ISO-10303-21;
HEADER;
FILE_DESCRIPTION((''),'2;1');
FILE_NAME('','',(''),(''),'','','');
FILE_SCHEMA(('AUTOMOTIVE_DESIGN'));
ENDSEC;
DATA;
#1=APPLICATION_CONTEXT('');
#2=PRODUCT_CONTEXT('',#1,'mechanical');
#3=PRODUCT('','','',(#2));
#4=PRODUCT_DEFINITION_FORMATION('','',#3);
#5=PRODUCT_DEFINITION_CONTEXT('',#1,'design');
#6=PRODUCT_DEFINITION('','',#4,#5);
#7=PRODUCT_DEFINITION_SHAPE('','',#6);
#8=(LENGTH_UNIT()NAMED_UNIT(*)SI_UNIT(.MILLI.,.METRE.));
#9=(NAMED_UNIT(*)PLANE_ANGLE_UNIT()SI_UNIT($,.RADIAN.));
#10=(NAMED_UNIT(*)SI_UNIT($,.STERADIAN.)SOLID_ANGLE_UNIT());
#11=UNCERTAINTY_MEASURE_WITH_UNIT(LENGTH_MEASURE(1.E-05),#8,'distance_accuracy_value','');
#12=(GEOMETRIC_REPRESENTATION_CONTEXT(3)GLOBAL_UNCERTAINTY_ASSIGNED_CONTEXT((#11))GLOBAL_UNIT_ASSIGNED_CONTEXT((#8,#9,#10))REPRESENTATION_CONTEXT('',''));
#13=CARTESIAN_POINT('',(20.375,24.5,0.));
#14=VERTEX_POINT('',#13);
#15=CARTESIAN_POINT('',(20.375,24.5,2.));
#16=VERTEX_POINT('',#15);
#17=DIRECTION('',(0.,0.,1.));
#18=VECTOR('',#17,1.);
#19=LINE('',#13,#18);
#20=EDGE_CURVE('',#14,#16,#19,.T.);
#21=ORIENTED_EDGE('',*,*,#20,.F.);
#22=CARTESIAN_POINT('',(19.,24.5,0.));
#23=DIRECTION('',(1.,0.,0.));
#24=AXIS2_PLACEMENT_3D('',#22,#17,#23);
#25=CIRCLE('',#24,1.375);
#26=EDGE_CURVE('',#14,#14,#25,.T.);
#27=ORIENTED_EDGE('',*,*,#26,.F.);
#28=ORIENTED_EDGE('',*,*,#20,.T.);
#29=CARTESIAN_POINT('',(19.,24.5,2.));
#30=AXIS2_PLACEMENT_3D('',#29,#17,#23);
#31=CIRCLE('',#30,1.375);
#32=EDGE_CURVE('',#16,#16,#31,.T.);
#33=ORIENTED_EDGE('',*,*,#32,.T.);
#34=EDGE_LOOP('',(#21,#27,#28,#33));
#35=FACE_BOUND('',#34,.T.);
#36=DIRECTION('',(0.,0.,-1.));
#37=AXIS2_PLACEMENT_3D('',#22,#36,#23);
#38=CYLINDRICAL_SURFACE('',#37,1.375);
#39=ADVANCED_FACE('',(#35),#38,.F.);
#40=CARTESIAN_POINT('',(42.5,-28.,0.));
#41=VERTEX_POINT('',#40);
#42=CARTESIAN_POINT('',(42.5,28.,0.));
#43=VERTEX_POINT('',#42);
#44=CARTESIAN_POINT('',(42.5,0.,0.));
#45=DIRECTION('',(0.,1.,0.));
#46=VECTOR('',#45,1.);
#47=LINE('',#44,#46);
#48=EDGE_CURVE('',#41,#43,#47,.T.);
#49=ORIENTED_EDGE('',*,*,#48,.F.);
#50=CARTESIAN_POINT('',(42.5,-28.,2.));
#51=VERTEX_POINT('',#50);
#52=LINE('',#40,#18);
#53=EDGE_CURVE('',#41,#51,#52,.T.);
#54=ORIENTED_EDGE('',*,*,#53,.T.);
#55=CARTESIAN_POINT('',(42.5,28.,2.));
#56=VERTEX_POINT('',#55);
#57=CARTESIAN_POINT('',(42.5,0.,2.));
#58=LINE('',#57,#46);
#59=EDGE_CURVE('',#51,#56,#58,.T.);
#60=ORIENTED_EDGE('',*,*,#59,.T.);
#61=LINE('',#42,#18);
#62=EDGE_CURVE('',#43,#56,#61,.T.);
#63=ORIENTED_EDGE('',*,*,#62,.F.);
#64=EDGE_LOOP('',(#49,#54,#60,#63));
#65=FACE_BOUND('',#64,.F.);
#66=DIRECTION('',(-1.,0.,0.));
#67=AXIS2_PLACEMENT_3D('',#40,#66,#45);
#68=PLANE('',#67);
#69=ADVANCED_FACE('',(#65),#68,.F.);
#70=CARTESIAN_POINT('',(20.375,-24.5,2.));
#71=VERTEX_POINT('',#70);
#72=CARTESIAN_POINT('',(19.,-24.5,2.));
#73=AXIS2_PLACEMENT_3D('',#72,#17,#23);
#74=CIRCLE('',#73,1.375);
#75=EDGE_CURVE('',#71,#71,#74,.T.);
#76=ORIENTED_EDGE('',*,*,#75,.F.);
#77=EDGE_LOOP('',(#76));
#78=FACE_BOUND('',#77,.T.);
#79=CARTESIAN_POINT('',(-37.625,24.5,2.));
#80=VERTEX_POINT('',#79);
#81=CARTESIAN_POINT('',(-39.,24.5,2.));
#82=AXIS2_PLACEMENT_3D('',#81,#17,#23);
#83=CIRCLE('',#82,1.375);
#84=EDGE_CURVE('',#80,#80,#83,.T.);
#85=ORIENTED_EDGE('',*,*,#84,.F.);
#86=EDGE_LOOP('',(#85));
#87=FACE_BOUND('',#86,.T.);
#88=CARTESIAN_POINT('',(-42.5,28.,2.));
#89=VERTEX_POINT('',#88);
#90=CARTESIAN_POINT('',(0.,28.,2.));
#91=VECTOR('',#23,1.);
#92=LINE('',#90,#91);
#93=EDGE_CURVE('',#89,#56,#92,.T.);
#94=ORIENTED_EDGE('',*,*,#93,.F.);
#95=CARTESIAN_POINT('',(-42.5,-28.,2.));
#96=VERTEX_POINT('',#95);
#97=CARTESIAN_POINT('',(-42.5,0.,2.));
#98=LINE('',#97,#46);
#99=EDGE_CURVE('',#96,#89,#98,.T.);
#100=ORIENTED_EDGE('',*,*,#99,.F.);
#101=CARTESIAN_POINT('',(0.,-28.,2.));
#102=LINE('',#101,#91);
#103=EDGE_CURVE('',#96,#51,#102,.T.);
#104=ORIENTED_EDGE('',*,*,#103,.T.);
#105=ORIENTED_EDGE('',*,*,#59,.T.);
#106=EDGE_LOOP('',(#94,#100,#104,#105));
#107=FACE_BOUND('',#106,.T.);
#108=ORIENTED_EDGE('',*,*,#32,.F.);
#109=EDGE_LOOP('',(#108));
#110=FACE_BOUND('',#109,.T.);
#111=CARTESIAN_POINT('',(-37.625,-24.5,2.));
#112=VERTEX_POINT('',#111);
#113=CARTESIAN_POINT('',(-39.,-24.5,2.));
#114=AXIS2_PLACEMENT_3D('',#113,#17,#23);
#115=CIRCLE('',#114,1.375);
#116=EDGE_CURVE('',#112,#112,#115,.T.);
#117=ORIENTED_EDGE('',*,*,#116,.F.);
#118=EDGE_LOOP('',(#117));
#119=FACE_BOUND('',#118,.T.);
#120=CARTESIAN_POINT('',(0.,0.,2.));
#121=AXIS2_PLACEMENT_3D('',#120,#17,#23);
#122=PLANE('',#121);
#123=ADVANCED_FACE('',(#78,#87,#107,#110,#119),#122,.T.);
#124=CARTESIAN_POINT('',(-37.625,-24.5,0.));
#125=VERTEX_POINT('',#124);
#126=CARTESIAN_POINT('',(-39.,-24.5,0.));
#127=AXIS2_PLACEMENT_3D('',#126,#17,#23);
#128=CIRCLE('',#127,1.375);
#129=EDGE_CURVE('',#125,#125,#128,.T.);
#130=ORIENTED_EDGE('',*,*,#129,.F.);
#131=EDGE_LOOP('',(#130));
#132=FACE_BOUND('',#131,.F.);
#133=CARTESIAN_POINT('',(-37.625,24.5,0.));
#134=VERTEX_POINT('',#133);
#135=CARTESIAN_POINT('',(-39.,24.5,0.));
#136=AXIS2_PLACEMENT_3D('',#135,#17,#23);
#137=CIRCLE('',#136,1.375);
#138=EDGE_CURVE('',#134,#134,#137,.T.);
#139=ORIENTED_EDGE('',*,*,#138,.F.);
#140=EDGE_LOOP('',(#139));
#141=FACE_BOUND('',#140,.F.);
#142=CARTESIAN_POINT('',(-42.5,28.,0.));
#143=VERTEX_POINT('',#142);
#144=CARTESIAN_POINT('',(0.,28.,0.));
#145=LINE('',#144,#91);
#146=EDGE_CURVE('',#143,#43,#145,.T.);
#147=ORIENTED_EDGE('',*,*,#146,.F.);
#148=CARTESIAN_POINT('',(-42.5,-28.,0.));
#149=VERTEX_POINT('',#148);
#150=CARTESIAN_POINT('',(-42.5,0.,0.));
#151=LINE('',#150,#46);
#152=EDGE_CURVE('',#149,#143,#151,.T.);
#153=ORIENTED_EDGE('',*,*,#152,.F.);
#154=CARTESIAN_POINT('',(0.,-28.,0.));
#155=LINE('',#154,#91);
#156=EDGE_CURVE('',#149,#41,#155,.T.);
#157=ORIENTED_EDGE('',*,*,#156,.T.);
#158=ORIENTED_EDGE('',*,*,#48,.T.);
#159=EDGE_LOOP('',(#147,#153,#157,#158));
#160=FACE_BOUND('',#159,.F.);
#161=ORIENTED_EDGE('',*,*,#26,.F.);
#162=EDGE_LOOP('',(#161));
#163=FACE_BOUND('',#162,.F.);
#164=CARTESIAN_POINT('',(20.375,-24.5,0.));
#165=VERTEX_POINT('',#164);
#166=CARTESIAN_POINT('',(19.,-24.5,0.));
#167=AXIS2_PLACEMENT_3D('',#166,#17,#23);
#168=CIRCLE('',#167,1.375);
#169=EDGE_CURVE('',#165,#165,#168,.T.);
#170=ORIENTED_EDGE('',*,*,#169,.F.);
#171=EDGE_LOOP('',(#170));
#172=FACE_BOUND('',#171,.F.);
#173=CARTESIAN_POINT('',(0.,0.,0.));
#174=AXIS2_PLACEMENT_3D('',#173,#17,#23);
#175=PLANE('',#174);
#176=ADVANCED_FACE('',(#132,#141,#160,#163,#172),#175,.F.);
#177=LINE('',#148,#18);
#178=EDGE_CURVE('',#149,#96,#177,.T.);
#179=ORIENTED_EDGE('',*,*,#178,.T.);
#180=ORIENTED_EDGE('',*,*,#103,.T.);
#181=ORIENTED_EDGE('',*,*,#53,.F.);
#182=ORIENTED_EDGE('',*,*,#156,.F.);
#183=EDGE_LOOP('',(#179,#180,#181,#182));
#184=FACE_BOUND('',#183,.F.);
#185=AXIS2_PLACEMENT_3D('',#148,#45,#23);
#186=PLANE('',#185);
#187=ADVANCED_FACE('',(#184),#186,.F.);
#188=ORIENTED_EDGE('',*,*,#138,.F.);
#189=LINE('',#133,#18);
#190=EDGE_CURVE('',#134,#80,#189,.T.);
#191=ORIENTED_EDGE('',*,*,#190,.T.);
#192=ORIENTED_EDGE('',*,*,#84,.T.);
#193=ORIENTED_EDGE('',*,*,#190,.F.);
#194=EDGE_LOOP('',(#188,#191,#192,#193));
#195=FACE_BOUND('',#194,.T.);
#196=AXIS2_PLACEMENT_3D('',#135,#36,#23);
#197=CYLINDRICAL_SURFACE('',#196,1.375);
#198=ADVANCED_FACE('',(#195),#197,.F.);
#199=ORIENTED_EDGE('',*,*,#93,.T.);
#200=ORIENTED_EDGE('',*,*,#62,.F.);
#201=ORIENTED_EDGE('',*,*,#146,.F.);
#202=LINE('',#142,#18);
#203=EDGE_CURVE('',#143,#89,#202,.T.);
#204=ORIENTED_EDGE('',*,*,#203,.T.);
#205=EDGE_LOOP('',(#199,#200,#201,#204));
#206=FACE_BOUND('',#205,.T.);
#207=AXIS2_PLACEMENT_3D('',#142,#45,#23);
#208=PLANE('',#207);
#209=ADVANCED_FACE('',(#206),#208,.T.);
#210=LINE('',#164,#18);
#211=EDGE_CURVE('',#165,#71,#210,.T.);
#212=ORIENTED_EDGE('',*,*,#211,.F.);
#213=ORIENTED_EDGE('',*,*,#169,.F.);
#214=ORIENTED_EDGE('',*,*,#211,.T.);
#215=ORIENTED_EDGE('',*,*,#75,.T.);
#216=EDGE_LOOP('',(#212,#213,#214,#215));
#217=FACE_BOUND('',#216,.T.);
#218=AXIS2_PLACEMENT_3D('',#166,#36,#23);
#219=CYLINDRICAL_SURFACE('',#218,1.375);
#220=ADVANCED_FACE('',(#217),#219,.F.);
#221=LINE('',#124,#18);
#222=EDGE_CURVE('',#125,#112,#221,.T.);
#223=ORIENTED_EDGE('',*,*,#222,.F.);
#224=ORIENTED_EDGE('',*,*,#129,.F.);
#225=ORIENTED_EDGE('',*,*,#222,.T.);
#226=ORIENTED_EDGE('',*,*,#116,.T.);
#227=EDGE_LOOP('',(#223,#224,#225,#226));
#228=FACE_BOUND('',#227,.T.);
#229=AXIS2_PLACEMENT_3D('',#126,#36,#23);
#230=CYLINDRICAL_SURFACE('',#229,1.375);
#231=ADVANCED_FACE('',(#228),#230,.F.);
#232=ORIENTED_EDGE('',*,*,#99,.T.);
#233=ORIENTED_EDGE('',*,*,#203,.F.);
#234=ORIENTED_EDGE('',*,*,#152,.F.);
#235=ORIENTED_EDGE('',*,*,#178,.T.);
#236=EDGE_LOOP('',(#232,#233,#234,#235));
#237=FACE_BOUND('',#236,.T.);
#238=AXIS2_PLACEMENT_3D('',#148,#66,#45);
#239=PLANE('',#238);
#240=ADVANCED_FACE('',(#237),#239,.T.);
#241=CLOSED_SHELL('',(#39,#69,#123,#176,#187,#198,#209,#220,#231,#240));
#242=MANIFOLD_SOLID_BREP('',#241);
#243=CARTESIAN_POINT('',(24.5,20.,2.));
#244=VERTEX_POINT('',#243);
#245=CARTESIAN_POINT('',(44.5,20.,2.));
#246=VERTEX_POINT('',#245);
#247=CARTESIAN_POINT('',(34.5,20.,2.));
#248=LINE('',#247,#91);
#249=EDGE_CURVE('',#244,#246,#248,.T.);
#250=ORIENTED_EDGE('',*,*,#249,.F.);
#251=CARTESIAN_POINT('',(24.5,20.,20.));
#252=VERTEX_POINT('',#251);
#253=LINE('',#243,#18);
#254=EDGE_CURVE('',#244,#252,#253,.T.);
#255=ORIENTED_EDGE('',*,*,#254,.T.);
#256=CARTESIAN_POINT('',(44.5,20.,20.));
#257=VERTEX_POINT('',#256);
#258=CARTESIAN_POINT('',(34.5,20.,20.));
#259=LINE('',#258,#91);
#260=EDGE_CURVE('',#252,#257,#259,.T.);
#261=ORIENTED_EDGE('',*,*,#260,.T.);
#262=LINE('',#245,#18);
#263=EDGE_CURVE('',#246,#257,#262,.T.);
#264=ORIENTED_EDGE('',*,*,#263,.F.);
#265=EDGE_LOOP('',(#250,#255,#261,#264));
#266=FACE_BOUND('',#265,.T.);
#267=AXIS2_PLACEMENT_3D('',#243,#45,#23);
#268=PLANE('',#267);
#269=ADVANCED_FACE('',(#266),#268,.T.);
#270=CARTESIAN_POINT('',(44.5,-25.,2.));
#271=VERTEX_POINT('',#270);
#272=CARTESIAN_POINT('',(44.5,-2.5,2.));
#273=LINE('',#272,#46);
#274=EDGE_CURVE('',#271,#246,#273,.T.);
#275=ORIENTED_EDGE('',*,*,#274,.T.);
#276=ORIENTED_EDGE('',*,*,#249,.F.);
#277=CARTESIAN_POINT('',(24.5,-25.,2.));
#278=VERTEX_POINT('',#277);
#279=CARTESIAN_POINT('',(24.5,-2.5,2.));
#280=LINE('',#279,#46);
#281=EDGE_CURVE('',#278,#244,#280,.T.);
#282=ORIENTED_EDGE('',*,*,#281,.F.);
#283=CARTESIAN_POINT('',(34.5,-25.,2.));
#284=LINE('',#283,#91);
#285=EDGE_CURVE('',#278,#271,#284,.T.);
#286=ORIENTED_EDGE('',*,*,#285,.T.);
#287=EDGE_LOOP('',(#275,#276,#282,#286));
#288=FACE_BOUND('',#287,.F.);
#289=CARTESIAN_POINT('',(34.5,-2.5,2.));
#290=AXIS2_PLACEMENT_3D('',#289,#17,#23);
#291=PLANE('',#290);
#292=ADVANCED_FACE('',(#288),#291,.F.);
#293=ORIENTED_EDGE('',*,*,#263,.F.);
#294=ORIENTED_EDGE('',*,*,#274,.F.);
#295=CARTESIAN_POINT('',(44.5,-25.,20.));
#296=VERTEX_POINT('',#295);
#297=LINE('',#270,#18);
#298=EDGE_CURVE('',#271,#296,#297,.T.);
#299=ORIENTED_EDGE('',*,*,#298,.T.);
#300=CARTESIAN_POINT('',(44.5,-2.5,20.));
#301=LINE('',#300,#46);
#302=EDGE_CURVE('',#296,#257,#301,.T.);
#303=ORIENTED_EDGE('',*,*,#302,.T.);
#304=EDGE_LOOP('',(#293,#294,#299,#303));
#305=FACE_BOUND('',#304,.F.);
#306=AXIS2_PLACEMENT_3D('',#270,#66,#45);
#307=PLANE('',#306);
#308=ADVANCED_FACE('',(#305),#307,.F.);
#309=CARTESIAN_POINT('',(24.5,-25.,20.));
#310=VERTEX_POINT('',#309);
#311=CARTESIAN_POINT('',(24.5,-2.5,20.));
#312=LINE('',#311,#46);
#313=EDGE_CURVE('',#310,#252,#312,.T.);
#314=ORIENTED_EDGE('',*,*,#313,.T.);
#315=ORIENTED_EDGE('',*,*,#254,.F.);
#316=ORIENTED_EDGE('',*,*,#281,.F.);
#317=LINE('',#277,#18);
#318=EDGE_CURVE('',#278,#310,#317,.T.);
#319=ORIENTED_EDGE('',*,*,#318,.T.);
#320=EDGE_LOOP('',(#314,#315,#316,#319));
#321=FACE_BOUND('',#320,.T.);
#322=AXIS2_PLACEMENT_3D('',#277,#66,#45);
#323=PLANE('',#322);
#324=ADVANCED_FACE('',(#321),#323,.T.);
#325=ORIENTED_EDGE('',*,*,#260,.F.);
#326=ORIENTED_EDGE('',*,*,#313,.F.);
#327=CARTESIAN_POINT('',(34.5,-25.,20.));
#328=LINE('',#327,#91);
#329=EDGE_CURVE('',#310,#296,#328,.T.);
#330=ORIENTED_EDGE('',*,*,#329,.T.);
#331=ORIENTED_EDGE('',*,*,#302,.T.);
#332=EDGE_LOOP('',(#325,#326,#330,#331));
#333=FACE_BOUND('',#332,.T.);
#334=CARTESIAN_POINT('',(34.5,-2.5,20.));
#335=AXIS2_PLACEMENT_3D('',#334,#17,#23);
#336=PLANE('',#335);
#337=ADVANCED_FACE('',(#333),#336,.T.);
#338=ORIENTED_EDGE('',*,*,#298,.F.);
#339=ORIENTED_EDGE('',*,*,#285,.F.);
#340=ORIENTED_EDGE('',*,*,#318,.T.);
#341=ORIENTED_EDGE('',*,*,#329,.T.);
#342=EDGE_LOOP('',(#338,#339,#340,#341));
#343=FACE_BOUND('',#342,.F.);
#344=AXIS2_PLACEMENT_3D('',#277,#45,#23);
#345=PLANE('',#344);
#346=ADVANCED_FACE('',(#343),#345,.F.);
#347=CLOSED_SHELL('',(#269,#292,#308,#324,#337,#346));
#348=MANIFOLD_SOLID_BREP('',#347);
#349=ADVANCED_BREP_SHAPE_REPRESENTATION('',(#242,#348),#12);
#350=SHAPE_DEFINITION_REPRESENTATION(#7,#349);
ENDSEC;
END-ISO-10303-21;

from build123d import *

# Parameters (mm, degrees)
F0_W     = 85
F0_H     = 56
F0_R     = 1.375
F1_DEPTH = 2
F2_W     = 20
F2_H     = 45
F3_DEPTH = 18


with BuildPart() as f1:
    # F0 (on Top) → F1 (new body)
    with BuildSketch(Plane.XY):
        Rectangle(F0_W, F0_H)
        with Locations((-39, -24.5)):
            Circle(F0_R, mode=Mode.SUBTRACT)
        with Locations((19, -24.5)):
            Circle(F0_R, mode=Mode.SUBTRACT)
        with Locations((-39, 24.5)):
            Circle(F0_R, mode=Mode.SUBTRACT)
        with Locations((19, 24.5)):
            Circle(F0_R, mode=Mode.SUBTRACT)
    extrude(amount=F1_DEPTH)


with BuildPart() as f3:
    # F2 (on face) → F3 (new body)
    with BuildSketch(Plane.XY.offset(2)):
        with Locations((34.5, -2.5)):
            Rectangle(F2_W, F2_H)
    extrude(amount=F3_DEPTH)


solid = Compound([f1.part, f3.part])
